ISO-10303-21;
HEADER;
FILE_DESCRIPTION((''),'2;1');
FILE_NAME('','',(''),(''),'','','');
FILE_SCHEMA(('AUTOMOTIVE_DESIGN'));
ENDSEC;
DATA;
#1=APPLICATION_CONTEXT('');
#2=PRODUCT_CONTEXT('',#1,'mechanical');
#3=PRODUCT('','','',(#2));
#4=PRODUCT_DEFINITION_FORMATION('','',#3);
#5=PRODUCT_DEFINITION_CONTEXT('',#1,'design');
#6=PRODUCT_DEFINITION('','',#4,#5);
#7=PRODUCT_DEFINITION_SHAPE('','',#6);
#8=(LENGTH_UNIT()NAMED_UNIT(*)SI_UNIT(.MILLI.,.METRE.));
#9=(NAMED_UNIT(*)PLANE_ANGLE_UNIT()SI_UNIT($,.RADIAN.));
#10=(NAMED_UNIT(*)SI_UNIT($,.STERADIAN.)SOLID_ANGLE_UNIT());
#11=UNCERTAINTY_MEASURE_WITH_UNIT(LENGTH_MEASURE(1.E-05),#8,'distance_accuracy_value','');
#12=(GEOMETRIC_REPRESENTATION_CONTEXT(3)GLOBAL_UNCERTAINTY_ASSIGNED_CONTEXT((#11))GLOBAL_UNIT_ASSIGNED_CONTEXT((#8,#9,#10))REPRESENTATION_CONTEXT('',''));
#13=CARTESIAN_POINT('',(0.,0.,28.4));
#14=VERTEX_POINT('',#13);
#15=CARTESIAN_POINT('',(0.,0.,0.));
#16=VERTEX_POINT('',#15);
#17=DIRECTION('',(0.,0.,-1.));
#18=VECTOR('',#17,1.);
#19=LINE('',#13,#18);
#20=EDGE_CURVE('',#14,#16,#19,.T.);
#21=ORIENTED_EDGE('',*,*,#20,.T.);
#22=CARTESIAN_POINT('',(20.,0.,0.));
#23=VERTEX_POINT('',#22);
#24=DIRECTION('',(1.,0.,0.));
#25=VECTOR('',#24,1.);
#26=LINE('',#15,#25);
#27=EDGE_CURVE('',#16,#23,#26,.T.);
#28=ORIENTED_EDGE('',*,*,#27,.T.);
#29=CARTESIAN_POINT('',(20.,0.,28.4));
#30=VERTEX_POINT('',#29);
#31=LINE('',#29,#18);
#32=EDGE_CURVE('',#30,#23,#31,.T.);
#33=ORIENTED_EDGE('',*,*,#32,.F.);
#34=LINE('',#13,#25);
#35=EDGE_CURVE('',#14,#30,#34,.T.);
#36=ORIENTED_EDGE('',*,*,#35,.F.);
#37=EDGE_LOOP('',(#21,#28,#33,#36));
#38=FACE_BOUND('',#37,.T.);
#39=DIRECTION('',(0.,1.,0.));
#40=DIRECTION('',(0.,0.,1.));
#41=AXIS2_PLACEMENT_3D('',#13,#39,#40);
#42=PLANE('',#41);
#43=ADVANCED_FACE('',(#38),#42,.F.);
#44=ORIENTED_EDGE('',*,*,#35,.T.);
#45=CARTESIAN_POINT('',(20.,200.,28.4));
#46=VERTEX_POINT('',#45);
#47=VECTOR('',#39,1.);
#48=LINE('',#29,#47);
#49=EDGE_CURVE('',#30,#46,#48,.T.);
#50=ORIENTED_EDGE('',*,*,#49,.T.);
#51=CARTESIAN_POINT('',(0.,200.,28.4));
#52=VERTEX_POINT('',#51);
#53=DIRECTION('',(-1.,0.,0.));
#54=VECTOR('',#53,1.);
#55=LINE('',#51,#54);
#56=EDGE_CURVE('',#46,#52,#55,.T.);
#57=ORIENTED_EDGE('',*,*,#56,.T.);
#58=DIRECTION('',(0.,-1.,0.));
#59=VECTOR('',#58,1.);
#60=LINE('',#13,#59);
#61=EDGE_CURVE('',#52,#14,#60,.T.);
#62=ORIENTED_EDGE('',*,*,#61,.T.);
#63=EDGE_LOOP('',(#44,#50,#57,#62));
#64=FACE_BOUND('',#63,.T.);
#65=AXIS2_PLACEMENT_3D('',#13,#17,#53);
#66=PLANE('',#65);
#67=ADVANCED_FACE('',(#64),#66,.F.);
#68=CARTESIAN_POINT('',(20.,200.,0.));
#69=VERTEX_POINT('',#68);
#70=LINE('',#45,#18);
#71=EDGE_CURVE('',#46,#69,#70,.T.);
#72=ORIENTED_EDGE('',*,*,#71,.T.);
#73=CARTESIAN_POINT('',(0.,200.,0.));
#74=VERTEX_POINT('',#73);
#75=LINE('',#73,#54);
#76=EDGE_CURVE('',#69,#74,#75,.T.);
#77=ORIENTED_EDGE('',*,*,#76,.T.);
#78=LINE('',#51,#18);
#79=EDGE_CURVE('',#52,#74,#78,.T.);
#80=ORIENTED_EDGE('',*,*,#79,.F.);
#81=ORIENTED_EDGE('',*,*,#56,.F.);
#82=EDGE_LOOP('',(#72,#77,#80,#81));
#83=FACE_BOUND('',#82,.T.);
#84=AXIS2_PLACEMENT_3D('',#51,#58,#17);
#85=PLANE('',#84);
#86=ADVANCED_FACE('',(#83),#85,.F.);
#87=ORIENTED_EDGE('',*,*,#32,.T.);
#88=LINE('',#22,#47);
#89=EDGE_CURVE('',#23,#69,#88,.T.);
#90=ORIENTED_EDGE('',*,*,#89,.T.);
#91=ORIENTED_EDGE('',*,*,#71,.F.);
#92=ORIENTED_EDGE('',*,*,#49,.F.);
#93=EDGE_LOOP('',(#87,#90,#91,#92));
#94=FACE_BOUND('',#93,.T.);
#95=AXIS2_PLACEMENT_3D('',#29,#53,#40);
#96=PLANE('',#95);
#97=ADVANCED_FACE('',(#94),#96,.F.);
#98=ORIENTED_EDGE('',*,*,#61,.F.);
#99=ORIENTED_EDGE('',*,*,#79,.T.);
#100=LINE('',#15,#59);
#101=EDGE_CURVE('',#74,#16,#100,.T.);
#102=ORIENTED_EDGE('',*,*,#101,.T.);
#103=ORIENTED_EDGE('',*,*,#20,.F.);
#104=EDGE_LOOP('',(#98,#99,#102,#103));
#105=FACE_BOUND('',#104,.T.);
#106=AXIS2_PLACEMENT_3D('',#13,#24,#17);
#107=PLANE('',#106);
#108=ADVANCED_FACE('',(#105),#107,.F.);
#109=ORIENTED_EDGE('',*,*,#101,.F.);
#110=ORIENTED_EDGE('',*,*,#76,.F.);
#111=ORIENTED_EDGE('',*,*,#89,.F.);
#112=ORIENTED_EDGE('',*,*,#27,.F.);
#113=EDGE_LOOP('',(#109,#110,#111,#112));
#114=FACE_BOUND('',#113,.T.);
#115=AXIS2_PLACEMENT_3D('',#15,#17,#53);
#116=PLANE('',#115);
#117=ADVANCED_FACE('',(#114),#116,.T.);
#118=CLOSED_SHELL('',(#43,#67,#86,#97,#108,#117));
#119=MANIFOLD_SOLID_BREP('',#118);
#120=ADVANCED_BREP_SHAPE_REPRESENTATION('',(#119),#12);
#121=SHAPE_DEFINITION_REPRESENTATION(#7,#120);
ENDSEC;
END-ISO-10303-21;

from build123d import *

# Parameters (mm, degrees)
SKETCH1_W           = 20
SKETCH1_H           = 200
BOSS_EXTRUDE1_DEPTH = 28.4


with BuildPart() as part:
    # Sketch1 → Boss-Extrude1 (new body)
    with BuildSketch(Plane.XY):
        with Locations((10, 100)):
            Rectangle(SKETCH1_W, SKETCH1_H)
    extrude(amount=BOSS_EXTRUDE1_DEPTH)


solid = part.part
